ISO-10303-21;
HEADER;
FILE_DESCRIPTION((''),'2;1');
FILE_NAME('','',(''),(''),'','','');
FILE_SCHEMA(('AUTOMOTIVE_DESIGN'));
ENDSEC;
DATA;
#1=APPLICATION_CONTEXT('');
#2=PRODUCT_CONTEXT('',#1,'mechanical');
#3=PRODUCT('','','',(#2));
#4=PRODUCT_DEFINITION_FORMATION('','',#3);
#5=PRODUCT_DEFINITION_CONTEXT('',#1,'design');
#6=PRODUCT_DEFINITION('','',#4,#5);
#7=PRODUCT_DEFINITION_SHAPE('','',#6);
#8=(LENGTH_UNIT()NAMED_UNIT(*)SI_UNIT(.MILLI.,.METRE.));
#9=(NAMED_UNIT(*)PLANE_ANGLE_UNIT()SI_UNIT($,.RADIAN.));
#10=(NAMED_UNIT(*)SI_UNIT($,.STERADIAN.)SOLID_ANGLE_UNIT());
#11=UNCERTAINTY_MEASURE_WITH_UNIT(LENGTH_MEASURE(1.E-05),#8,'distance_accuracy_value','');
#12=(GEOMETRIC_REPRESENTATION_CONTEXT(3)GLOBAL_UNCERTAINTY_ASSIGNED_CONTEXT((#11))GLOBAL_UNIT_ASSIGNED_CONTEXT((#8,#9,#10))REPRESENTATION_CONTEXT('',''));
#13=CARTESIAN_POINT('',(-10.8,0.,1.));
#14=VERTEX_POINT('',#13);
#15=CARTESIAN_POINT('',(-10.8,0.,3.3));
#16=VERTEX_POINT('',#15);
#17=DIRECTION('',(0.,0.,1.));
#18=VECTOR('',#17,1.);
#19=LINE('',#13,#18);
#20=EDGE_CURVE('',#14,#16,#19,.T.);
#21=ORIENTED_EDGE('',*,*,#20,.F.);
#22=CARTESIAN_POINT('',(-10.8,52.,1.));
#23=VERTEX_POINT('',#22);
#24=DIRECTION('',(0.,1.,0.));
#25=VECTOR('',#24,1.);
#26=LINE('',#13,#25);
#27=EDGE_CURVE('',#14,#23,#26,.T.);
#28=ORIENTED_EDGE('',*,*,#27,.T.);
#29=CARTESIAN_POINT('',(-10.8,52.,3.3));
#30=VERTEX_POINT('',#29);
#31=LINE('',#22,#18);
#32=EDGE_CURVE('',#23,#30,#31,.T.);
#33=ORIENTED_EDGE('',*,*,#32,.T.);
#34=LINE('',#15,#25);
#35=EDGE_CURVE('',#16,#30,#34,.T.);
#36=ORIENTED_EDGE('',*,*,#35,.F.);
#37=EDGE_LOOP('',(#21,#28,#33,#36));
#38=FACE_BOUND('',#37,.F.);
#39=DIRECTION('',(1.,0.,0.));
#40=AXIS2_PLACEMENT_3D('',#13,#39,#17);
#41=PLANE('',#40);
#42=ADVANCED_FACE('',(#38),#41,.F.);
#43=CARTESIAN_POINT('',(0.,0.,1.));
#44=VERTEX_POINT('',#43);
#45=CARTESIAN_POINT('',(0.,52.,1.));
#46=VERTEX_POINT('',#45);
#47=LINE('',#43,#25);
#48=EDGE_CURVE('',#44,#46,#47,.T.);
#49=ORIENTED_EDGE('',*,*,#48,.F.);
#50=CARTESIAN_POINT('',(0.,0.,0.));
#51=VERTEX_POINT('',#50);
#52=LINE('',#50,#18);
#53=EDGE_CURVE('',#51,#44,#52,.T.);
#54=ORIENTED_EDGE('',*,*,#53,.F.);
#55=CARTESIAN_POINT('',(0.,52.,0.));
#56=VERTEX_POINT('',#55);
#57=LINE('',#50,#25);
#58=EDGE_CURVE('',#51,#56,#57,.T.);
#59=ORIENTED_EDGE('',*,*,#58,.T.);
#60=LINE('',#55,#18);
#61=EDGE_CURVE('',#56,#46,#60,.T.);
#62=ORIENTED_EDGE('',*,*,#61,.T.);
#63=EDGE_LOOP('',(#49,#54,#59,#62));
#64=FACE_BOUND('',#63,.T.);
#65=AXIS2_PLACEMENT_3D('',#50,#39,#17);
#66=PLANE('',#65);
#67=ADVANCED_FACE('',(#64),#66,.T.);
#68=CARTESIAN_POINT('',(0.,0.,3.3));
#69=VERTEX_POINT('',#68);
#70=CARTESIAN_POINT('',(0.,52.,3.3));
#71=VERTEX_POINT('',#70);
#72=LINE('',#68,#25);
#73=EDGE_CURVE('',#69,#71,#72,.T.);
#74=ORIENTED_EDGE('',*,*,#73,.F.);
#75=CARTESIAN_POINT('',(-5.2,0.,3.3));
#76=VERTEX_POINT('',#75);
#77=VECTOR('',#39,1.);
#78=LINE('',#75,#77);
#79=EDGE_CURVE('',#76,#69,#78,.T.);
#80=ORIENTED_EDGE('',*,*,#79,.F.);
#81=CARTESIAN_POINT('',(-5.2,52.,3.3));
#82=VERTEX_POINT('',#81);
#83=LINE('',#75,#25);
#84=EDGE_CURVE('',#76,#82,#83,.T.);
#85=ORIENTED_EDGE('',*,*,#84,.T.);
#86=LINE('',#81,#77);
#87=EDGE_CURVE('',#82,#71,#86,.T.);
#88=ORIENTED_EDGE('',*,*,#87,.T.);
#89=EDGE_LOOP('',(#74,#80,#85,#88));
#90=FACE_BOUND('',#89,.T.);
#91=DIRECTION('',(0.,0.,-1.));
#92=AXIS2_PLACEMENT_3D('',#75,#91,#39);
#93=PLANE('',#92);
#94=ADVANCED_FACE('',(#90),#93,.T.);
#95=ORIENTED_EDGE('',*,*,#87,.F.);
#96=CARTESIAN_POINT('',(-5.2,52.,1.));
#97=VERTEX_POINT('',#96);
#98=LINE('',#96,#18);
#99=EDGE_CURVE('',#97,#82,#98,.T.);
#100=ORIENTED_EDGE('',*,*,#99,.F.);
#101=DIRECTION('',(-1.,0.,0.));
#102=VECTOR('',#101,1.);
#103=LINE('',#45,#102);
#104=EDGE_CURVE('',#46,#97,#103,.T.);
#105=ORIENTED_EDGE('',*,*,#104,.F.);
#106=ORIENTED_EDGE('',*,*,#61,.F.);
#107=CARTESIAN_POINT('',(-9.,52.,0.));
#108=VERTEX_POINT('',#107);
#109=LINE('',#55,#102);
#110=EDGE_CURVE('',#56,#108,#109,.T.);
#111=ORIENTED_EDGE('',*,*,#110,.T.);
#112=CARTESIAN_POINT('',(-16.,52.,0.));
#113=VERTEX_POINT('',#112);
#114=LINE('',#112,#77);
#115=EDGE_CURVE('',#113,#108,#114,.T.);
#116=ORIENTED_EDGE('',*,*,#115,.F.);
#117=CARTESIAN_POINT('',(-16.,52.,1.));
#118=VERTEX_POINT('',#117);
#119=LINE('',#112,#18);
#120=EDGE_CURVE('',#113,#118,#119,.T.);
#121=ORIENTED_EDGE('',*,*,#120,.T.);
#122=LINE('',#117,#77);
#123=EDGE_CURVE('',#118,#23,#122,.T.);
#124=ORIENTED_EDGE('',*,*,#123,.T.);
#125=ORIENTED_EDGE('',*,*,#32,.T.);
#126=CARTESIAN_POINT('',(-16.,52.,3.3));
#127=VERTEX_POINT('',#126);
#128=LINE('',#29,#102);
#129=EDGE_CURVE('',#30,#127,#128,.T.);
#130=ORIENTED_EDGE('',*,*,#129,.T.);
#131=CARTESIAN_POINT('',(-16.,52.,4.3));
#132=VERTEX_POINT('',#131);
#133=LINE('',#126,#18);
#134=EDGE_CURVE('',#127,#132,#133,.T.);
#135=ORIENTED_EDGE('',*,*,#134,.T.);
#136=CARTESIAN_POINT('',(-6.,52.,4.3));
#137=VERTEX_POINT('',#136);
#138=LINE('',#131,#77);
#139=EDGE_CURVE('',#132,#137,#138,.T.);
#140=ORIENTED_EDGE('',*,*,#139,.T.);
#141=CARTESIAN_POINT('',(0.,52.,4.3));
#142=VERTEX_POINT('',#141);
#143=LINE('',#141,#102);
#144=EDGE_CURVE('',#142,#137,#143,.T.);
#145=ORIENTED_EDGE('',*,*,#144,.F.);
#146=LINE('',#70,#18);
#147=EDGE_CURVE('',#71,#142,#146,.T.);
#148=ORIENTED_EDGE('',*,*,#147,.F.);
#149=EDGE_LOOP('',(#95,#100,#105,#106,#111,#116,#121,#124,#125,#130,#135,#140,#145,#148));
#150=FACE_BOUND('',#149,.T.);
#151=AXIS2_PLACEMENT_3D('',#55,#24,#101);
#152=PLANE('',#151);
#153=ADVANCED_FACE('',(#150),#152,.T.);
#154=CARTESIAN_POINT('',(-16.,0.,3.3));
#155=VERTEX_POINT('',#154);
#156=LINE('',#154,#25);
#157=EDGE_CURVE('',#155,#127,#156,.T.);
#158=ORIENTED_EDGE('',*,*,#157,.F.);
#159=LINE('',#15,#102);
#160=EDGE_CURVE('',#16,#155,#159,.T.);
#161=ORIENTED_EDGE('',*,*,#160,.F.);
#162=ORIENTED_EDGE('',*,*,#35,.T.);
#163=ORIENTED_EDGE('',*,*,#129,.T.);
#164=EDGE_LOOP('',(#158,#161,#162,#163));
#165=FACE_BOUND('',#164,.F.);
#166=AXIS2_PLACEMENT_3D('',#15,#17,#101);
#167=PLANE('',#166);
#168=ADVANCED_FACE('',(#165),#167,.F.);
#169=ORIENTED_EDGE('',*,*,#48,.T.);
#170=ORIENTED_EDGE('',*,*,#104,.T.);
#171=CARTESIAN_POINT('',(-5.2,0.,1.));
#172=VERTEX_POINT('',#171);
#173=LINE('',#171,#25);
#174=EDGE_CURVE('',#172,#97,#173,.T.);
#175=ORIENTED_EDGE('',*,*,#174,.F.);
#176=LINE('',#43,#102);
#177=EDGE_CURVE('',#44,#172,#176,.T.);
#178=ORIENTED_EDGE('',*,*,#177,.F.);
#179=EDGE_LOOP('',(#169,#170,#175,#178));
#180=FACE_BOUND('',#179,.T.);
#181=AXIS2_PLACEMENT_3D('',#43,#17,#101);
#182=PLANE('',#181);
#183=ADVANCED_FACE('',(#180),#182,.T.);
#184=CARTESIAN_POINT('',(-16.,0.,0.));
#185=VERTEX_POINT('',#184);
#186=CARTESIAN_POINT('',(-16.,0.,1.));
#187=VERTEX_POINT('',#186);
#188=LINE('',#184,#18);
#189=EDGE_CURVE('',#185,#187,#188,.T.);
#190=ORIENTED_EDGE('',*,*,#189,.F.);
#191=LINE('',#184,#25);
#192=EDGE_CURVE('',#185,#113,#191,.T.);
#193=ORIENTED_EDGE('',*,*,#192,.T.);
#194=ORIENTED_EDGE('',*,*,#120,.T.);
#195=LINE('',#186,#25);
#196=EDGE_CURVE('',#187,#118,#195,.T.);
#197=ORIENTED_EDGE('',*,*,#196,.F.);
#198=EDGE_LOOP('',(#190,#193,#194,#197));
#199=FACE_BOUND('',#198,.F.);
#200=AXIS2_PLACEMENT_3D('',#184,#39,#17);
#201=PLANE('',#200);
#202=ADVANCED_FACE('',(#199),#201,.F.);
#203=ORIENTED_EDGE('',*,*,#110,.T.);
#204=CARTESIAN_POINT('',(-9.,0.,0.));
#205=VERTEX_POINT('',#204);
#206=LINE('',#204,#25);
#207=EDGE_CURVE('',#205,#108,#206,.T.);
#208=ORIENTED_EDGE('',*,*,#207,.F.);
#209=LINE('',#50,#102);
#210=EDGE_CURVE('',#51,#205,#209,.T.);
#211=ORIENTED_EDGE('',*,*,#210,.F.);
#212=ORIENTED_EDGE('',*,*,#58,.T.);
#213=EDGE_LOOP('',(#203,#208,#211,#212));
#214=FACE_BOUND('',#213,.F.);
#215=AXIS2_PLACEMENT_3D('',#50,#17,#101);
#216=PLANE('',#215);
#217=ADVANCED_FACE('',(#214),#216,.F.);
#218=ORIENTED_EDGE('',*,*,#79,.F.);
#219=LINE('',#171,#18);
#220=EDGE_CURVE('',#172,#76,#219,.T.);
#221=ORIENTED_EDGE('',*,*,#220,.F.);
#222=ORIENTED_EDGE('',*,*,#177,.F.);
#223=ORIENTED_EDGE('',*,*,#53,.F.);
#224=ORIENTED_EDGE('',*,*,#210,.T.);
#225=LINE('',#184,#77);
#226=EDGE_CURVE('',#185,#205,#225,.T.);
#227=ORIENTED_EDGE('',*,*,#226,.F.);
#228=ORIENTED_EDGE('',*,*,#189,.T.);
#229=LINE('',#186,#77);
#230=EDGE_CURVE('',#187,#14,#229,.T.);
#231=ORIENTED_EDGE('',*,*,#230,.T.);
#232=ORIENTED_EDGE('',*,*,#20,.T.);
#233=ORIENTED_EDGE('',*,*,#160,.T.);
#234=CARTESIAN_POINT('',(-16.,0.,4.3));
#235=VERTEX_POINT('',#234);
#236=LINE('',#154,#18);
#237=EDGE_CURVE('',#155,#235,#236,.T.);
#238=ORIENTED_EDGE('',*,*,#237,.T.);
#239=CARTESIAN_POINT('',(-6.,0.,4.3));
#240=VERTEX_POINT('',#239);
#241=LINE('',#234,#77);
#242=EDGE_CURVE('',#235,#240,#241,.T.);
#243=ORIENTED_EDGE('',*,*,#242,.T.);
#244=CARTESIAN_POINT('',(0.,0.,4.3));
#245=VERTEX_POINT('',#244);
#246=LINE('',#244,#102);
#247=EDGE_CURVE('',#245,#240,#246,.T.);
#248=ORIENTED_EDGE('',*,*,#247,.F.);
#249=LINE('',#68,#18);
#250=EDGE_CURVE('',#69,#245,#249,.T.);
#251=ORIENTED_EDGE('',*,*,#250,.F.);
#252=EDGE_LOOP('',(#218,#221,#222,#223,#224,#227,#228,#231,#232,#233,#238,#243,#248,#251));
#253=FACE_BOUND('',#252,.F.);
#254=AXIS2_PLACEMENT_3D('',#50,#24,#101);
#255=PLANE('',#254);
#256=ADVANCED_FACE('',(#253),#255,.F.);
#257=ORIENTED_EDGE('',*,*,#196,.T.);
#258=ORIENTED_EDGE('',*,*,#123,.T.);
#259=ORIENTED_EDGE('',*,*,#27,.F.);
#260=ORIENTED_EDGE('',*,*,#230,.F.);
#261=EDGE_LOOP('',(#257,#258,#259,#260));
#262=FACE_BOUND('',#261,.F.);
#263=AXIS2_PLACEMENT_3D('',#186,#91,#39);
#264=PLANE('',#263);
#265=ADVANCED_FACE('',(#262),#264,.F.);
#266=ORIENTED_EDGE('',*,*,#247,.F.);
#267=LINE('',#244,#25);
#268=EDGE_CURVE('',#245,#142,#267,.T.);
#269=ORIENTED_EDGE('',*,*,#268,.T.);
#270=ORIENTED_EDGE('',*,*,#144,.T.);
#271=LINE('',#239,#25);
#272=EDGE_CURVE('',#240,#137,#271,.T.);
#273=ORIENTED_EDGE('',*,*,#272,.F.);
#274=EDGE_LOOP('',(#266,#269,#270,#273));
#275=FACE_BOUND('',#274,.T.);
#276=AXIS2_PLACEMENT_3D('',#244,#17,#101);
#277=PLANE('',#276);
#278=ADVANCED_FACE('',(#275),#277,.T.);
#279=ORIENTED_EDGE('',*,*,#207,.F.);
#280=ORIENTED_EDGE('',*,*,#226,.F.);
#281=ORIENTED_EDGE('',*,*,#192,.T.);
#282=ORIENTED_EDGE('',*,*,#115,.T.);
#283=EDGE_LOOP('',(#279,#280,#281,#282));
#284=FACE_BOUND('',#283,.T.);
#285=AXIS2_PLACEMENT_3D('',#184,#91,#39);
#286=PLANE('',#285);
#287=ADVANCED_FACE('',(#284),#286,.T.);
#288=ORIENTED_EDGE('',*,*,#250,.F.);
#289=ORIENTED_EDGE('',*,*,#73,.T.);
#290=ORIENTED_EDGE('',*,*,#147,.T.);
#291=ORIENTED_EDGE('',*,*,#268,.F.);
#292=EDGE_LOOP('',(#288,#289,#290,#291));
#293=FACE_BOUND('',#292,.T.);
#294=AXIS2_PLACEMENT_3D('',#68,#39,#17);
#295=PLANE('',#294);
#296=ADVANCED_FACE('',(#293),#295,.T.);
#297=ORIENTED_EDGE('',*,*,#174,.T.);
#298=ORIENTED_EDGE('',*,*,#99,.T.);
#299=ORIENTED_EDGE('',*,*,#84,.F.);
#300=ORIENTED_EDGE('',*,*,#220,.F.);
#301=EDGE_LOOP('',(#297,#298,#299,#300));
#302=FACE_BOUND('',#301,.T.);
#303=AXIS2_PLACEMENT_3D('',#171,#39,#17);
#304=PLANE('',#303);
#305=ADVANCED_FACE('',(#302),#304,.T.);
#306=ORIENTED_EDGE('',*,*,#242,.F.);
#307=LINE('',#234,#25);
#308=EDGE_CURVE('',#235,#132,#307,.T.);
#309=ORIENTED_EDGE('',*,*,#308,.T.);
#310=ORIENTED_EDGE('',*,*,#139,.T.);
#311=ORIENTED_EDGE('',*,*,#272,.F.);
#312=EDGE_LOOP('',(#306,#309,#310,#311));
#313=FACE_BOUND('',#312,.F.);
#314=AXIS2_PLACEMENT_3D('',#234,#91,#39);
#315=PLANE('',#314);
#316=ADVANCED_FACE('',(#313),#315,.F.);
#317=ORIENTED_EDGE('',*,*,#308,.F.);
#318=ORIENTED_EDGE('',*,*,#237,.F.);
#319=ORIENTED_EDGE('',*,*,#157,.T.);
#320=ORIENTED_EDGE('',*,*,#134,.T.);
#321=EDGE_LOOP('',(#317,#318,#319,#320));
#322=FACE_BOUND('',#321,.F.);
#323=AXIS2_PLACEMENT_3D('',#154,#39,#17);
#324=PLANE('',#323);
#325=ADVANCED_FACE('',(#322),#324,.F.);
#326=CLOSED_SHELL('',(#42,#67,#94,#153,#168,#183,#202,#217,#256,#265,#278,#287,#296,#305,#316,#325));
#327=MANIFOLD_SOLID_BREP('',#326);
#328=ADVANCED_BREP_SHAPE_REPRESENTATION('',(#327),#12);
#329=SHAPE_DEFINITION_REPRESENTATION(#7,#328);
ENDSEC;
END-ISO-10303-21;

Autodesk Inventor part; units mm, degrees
ref_plane "YZ Plane" through (0, 0, 0) normal (1, 0, 0) x (0, 1, 0)
ref_plane "XZ Plane" through (0, 0, 0) normal (0, 1, 0) x (-1, 0, 0)
ref_plane "XY Plane" through (0, 0, 0) normal (0, 0, 1) x (1, 0, 0)
sketch "Sketch1" plane through (0, 0, 0) normal (0, 1, 0) x (-1, 0, 0)
  line L0 (0, 0) -> (0, 1)
  line L1 (0, 1) -> (5.2, 1)
  line L2 (5.2, 1) -> (5.2, 3.3)
  line L3 (5.2, 3.3) -> (0, 3.3)
  line L4 (0, 3.3) -> (0, 4.3)
  line L5 (0, 4.3) -> (6, 4.3)
  line L6 (8, 7.1013) -> (8, -1.6755) construction
  line L7 (0, 0) -> (9, 0)
  line L8 (16, 0) -> (16, 1)
  line L9 (16, 1) -> (10.8, 1)
  line L10 (10.8, 1) -> (10.8, 3.3)
  line L11 (10.8, 3.3) -> (16, 3.3)
  line L12 (16, 3.3) -> (16, 4.3)
  line L13 (16, 4.3) -> (6, 4.3)
  line L14 (16, 0) -> (9, 0)
  dimension "d0" = 1
  dimension "d2" = 2.3
  dimension "d5" = 1
  dimension "d10" = 2.8
  dimension "d11" = 16
  dimension "d12" = 16
extrude "Extrusion1" add sketch "Sketch1" along normal blind 52
equation "\"d12\" = d11"
properties part number "soporte fio"
